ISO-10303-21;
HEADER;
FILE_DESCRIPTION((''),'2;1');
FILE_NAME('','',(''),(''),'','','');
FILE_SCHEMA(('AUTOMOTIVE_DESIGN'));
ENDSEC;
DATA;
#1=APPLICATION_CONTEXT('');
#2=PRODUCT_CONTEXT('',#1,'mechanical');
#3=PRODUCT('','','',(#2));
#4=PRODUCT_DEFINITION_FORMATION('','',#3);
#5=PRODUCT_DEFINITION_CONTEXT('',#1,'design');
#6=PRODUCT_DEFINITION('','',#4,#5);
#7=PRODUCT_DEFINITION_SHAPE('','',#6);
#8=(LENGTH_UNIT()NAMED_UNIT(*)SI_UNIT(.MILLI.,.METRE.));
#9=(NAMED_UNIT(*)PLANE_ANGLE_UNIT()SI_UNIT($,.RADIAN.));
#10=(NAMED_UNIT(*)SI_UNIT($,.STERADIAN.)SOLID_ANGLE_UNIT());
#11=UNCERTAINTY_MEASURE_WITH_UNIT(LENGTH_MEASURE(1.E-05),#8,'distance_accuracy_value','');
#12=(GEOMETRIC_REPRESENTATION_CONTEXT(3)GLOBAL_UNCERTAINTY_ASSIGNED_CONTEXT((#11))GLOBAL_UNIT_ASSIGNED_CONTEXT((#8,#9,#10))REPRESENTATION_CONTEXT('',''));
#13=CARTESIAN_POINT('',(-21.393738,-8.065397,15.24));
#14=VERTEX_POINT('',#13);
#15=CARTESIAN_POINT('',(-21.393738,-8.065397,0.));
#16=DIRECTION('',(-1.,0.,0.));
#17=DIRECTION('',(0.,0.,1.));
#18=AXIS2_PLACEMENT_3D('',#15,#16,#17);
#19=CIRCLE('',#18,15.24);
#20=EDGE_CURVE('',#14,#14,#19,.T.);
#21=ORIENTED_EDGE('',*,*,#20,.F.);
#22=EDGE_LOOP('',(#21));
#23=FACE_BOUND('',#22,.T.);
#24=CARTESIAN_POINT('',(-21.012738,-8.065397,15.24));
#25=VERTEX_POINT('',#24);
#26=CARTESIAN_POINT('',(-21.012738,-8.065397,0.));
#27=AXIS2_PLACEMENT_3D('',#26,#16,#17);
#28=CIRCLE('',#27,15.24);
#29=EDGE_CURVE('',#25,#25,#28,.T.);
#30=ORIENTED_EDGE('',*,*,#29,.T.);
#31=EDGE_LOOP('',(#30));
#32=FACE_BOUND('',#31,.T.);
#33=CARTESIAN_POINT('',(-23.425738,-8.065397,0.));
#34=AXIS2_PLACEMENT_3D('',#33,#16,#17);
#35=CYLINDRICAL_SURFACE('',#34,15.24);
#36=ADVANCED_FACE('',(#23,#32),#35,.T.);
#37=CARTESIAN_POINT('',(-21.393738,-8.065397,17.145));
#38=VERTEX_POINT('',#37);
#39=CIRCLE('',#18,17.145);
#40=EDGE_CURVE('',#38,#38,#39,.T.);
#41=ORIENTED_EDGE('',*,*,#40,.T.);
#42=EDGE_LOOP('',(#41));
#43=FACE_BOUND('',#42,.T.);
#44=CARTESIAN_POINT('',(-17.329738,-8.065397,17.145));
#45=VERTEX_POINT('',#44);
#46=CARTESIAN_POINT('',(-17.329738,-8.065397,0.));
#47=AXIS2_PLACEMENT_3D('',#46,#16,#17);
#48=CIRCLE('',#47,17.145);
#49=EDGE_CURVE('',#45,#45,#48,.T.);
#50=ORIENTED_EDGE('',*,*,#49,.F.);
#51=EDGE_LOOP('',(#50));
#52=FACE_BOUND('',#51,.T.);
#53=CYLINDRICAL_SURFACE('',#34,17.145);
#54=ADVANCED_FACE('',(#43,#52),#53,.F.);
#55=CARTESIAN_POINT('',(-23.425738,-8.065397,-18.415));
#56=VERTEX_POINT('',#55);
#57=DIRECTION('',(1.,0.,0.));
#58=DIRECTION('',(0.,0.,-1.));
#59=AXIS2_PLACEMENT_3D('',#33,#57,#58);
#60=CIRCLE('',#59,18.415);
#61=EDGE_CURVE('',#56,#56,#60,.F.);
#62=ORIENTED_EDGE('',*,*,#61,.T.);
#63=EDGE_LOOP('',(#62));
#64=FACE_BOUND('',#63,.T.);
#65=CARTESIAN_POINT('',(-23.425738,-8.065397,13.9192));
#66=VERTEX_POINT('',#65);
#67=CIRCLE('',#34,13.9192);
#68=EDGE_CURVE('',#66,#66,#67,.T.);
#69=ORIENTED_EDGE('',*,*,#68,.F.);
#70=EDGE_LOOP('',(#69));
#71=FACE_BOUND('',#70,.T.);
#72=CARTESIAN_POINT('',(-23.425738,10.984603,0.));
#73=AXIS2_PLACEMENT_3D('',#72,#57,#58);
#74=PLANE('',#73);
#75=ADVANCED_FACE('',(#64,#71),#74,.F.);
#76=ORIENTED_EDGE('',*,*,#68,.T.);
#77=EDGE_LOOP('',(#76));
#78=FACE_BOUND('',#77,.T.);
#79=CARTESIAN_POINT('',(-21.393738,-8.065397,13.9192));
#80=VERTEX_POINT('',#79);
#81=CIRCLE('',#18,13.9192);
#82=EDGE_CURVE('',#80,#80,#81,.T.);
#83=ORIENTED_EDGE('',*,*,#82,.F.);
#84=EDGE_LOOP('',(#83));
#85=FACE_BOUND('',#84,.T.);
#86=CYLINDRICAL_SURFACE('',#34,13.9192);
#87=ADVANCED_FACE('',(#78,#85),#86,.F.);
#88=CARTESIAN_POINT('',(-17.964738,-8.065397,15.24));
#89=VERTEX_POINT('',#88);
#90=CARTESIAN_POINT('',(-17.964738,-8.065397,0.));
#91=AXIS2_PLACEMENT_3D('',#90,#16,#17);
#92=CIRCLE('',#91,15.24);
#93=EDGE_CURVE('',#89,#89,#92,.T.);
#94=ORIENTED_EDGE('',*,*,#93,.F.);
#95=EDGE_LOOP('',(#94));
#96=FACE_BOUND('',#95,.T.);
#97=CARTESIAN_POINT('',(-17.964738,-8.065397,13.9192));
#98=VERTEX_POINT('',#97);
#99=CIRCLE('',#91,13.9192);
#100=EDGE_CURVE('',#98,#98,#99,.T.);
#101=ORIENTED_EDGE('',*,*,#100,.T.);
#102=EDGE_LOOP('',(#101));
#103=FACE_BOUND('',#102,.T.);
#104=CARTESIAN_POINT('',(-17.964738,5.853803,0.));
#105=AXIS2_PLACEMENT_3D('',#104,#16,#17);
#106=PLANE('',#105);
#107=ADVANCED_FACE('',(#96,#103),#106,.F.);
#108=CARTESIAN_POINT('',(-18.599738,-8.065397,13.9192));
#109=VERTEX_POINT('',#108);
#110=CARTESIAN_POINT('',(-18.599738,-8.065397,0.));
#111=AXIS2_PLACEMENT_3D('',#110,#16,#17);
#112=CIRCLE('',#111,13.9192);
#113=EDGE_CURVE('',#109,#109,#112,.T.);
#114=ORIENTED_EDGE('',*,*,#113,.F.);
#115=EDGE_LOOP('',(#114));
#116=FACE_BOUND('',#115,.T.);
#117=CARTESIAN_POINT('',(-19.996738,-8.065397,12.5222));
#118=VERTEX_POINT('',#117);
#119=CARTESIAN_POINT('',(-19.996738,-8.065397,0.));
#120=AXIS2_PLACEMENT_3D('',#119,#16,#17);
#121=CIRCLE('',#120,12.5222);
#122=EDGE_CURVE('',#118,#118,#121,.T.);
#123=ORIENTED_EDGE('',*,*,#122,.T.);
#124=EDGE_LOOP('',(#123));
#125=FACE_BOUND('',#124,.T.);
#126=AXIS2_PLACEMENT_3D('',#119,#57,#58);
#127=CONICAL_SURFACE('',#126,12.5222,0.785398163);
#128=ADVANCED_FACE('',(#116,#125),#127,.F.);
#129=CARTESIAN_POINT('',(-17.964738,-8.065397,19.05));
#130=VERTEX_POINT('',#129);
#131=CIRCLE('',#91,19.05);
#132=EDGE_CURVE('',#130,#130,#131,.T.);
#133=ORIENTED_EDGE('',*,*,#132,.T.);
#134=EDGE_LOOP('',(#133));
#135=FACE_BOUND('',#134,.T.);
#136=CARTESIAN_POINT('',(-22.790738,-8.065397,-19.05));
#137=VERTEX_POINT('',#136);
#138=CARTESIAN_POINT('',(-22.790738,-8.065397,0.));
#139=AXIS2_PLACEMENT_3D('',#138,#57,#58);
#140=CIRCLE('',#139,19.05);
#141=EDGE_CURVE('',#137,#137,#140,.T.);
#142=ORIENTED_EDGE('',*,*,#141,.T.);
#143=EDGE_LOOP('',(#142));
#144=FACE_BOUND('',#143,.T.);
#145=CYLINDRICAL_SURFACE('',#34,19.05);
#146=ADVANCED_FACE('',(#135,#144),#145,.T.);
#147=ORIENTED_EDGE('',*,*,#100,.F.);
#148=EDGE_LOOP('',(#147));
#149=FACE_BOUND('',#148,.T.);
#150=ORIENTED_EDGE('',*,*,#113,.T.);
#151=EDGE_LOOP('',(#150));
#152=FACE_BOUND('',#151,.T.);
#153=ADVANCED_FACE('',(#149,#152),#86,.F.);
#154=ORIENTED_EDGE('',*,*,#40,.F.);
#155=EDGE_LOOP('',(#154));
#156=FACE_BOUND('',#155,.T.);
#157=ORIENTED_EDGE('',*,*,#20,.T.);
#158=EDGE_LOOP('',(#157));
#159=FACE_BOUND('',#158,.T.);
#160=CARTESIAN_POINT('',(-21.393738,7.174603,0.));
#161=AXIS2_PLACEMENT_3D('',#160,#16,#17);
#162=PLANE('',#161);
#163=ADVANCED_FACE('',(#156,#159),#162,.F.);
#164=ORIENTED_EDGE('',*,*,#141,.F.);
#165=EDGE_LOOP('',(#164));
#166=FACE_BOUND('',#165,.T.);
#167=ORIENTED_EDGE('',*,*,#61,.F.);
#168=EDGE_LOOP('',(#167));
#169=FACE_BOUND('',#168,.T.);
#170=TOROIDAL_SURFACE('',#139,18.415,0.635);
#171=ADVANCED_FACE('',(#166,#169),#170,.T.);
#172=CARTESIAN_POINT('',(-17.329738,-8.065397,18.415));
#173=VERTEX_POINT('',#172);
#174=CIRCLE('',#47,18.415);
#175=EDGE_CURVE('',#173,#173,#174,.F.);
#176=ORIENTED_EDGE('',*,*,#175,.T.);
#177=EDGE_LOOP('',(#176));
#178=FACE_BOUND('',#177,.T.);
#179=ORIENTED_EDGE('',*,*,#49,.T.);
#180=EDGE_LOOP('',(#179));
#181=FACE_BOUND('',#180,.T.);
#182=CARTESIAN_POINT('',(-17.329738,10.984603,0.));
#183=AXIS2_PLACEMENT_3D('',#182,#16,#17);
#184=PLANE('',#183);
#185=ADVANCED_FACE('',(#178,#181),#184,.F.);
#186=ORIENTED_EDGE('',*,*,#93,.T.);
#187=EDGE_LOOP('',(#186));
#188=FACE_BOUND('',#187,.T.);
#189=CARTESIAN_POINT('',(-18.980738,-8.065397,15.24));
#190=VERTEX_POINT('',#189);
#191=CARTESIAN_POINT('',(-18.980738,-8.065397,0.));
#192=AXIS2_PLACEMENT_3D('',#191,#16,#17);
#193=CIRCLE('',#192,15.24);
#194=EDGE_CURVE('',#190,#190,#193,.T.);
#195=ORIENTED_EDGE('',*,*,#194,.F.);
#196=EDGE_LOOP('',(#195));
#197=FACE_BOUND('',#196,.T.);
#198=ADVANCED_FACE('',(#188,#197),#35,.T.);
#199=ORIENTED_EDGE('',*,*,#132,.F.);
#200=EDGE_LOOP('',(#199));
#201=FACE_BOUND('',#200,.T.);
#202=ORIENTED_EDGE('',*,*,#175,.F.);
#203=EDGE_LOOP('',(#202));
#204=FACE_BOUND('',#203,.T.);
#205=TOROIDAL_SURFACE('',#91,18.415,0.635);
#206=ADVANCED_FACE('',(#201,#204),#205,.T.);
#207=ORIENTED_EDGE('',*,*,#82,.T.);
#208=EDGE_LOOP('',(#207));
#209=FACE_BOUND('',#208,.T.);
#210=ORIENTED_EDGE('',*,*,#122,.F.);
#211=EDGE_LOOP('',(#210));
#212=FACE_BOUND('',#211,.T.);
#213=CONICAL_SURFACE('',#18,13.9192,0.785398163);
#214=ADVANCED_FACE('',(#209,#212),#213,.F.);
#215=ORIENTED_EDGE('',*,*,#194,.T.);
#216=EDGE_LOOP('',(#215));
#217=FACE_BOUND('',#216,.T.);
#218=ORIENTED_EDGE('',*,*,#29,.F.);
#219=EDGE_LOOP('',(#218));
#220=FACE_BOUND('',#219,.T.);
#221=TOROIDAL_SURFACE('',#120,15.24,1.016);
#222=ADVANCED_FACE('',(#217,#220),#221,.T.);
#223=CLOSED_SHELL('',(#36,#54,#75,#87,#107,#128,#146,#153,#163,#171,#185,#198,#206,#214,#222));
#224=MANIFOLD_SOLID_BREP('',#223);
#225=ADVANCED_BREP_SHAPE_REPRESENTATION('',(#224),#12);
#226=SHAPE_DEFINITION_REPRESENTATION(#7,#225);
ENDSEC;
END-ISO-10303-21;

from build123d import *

# Parameters (mm, degrees)
FILLET1_R = 0.635


with BuildPart() as part:
    # Sketch1 → Revolve1 (revolve)
    with BuildSketch(Plane.XY, mode=Mode.PRIVATE) as revolve1_sk:
        with BuildLine():
            Line((-23.425738216, 5.85380266), (-21.393738216, 5.85380266))
            Line((-21.393738216, 5.85380266), (-19.996738216, 4.45680266))
            Line((-19.996738216, 4.45680266), (-18.599738216, 5.85380266))
            Line((-18.599738216, 5.85380266), (-17.964738216, 5.85380266))
            Line((-17.964738216, 5.85380266), (-17.964738216, 7.17460266))
            Line((-17.964738216, 7.17460266), (-18.980738216, 7.17460266))
            ThreePointArc((-18.980738216, 7.17460266), (-19.996738216, 8.19060266), (-21.012738216, 7.17460266))
            Line((-21.012738216, 7.17460266), (-21.393738216, 7.17460266))
            Line((-21.393738216, 7.17460266), (-21.393738216, 9.07960266))
            Line((-21.393738216, 9.07960266), (-17.329738216, 9.07960266))
            Line((-17.329738216, 9.07960266), (-17.329738216, 10.98460266))
            Line((-17.329738216, 10.98460266), (-23.425738216, 10.98460266))
            Line((-23.425738216, 10.98460266), (-23.425738216, 9.07960266))
            Line((-23.425738216, 9.07960266), (-23.425738216, 5.85380266))
        make_face()
    revolve(revolve1_sk.sketch.rotate(Axis((-23.425738216, -8.06539734, 0), (1, 0, 0)), 90), axis=Axis((-23.425738216, -8.06539734, 0), (1, 0, 0)))

    # Fillet1
    fillet1_edges = [part.edges().sort_by_distance(p)[0] for p in [
        (-17.329738216, -8.06539734, -19.05),
        (-23.425738216, -8.06539734, -19.05),
    ]]
    fillet(fillet1_edges, radius=FILLET1_R)


solid = part.part
